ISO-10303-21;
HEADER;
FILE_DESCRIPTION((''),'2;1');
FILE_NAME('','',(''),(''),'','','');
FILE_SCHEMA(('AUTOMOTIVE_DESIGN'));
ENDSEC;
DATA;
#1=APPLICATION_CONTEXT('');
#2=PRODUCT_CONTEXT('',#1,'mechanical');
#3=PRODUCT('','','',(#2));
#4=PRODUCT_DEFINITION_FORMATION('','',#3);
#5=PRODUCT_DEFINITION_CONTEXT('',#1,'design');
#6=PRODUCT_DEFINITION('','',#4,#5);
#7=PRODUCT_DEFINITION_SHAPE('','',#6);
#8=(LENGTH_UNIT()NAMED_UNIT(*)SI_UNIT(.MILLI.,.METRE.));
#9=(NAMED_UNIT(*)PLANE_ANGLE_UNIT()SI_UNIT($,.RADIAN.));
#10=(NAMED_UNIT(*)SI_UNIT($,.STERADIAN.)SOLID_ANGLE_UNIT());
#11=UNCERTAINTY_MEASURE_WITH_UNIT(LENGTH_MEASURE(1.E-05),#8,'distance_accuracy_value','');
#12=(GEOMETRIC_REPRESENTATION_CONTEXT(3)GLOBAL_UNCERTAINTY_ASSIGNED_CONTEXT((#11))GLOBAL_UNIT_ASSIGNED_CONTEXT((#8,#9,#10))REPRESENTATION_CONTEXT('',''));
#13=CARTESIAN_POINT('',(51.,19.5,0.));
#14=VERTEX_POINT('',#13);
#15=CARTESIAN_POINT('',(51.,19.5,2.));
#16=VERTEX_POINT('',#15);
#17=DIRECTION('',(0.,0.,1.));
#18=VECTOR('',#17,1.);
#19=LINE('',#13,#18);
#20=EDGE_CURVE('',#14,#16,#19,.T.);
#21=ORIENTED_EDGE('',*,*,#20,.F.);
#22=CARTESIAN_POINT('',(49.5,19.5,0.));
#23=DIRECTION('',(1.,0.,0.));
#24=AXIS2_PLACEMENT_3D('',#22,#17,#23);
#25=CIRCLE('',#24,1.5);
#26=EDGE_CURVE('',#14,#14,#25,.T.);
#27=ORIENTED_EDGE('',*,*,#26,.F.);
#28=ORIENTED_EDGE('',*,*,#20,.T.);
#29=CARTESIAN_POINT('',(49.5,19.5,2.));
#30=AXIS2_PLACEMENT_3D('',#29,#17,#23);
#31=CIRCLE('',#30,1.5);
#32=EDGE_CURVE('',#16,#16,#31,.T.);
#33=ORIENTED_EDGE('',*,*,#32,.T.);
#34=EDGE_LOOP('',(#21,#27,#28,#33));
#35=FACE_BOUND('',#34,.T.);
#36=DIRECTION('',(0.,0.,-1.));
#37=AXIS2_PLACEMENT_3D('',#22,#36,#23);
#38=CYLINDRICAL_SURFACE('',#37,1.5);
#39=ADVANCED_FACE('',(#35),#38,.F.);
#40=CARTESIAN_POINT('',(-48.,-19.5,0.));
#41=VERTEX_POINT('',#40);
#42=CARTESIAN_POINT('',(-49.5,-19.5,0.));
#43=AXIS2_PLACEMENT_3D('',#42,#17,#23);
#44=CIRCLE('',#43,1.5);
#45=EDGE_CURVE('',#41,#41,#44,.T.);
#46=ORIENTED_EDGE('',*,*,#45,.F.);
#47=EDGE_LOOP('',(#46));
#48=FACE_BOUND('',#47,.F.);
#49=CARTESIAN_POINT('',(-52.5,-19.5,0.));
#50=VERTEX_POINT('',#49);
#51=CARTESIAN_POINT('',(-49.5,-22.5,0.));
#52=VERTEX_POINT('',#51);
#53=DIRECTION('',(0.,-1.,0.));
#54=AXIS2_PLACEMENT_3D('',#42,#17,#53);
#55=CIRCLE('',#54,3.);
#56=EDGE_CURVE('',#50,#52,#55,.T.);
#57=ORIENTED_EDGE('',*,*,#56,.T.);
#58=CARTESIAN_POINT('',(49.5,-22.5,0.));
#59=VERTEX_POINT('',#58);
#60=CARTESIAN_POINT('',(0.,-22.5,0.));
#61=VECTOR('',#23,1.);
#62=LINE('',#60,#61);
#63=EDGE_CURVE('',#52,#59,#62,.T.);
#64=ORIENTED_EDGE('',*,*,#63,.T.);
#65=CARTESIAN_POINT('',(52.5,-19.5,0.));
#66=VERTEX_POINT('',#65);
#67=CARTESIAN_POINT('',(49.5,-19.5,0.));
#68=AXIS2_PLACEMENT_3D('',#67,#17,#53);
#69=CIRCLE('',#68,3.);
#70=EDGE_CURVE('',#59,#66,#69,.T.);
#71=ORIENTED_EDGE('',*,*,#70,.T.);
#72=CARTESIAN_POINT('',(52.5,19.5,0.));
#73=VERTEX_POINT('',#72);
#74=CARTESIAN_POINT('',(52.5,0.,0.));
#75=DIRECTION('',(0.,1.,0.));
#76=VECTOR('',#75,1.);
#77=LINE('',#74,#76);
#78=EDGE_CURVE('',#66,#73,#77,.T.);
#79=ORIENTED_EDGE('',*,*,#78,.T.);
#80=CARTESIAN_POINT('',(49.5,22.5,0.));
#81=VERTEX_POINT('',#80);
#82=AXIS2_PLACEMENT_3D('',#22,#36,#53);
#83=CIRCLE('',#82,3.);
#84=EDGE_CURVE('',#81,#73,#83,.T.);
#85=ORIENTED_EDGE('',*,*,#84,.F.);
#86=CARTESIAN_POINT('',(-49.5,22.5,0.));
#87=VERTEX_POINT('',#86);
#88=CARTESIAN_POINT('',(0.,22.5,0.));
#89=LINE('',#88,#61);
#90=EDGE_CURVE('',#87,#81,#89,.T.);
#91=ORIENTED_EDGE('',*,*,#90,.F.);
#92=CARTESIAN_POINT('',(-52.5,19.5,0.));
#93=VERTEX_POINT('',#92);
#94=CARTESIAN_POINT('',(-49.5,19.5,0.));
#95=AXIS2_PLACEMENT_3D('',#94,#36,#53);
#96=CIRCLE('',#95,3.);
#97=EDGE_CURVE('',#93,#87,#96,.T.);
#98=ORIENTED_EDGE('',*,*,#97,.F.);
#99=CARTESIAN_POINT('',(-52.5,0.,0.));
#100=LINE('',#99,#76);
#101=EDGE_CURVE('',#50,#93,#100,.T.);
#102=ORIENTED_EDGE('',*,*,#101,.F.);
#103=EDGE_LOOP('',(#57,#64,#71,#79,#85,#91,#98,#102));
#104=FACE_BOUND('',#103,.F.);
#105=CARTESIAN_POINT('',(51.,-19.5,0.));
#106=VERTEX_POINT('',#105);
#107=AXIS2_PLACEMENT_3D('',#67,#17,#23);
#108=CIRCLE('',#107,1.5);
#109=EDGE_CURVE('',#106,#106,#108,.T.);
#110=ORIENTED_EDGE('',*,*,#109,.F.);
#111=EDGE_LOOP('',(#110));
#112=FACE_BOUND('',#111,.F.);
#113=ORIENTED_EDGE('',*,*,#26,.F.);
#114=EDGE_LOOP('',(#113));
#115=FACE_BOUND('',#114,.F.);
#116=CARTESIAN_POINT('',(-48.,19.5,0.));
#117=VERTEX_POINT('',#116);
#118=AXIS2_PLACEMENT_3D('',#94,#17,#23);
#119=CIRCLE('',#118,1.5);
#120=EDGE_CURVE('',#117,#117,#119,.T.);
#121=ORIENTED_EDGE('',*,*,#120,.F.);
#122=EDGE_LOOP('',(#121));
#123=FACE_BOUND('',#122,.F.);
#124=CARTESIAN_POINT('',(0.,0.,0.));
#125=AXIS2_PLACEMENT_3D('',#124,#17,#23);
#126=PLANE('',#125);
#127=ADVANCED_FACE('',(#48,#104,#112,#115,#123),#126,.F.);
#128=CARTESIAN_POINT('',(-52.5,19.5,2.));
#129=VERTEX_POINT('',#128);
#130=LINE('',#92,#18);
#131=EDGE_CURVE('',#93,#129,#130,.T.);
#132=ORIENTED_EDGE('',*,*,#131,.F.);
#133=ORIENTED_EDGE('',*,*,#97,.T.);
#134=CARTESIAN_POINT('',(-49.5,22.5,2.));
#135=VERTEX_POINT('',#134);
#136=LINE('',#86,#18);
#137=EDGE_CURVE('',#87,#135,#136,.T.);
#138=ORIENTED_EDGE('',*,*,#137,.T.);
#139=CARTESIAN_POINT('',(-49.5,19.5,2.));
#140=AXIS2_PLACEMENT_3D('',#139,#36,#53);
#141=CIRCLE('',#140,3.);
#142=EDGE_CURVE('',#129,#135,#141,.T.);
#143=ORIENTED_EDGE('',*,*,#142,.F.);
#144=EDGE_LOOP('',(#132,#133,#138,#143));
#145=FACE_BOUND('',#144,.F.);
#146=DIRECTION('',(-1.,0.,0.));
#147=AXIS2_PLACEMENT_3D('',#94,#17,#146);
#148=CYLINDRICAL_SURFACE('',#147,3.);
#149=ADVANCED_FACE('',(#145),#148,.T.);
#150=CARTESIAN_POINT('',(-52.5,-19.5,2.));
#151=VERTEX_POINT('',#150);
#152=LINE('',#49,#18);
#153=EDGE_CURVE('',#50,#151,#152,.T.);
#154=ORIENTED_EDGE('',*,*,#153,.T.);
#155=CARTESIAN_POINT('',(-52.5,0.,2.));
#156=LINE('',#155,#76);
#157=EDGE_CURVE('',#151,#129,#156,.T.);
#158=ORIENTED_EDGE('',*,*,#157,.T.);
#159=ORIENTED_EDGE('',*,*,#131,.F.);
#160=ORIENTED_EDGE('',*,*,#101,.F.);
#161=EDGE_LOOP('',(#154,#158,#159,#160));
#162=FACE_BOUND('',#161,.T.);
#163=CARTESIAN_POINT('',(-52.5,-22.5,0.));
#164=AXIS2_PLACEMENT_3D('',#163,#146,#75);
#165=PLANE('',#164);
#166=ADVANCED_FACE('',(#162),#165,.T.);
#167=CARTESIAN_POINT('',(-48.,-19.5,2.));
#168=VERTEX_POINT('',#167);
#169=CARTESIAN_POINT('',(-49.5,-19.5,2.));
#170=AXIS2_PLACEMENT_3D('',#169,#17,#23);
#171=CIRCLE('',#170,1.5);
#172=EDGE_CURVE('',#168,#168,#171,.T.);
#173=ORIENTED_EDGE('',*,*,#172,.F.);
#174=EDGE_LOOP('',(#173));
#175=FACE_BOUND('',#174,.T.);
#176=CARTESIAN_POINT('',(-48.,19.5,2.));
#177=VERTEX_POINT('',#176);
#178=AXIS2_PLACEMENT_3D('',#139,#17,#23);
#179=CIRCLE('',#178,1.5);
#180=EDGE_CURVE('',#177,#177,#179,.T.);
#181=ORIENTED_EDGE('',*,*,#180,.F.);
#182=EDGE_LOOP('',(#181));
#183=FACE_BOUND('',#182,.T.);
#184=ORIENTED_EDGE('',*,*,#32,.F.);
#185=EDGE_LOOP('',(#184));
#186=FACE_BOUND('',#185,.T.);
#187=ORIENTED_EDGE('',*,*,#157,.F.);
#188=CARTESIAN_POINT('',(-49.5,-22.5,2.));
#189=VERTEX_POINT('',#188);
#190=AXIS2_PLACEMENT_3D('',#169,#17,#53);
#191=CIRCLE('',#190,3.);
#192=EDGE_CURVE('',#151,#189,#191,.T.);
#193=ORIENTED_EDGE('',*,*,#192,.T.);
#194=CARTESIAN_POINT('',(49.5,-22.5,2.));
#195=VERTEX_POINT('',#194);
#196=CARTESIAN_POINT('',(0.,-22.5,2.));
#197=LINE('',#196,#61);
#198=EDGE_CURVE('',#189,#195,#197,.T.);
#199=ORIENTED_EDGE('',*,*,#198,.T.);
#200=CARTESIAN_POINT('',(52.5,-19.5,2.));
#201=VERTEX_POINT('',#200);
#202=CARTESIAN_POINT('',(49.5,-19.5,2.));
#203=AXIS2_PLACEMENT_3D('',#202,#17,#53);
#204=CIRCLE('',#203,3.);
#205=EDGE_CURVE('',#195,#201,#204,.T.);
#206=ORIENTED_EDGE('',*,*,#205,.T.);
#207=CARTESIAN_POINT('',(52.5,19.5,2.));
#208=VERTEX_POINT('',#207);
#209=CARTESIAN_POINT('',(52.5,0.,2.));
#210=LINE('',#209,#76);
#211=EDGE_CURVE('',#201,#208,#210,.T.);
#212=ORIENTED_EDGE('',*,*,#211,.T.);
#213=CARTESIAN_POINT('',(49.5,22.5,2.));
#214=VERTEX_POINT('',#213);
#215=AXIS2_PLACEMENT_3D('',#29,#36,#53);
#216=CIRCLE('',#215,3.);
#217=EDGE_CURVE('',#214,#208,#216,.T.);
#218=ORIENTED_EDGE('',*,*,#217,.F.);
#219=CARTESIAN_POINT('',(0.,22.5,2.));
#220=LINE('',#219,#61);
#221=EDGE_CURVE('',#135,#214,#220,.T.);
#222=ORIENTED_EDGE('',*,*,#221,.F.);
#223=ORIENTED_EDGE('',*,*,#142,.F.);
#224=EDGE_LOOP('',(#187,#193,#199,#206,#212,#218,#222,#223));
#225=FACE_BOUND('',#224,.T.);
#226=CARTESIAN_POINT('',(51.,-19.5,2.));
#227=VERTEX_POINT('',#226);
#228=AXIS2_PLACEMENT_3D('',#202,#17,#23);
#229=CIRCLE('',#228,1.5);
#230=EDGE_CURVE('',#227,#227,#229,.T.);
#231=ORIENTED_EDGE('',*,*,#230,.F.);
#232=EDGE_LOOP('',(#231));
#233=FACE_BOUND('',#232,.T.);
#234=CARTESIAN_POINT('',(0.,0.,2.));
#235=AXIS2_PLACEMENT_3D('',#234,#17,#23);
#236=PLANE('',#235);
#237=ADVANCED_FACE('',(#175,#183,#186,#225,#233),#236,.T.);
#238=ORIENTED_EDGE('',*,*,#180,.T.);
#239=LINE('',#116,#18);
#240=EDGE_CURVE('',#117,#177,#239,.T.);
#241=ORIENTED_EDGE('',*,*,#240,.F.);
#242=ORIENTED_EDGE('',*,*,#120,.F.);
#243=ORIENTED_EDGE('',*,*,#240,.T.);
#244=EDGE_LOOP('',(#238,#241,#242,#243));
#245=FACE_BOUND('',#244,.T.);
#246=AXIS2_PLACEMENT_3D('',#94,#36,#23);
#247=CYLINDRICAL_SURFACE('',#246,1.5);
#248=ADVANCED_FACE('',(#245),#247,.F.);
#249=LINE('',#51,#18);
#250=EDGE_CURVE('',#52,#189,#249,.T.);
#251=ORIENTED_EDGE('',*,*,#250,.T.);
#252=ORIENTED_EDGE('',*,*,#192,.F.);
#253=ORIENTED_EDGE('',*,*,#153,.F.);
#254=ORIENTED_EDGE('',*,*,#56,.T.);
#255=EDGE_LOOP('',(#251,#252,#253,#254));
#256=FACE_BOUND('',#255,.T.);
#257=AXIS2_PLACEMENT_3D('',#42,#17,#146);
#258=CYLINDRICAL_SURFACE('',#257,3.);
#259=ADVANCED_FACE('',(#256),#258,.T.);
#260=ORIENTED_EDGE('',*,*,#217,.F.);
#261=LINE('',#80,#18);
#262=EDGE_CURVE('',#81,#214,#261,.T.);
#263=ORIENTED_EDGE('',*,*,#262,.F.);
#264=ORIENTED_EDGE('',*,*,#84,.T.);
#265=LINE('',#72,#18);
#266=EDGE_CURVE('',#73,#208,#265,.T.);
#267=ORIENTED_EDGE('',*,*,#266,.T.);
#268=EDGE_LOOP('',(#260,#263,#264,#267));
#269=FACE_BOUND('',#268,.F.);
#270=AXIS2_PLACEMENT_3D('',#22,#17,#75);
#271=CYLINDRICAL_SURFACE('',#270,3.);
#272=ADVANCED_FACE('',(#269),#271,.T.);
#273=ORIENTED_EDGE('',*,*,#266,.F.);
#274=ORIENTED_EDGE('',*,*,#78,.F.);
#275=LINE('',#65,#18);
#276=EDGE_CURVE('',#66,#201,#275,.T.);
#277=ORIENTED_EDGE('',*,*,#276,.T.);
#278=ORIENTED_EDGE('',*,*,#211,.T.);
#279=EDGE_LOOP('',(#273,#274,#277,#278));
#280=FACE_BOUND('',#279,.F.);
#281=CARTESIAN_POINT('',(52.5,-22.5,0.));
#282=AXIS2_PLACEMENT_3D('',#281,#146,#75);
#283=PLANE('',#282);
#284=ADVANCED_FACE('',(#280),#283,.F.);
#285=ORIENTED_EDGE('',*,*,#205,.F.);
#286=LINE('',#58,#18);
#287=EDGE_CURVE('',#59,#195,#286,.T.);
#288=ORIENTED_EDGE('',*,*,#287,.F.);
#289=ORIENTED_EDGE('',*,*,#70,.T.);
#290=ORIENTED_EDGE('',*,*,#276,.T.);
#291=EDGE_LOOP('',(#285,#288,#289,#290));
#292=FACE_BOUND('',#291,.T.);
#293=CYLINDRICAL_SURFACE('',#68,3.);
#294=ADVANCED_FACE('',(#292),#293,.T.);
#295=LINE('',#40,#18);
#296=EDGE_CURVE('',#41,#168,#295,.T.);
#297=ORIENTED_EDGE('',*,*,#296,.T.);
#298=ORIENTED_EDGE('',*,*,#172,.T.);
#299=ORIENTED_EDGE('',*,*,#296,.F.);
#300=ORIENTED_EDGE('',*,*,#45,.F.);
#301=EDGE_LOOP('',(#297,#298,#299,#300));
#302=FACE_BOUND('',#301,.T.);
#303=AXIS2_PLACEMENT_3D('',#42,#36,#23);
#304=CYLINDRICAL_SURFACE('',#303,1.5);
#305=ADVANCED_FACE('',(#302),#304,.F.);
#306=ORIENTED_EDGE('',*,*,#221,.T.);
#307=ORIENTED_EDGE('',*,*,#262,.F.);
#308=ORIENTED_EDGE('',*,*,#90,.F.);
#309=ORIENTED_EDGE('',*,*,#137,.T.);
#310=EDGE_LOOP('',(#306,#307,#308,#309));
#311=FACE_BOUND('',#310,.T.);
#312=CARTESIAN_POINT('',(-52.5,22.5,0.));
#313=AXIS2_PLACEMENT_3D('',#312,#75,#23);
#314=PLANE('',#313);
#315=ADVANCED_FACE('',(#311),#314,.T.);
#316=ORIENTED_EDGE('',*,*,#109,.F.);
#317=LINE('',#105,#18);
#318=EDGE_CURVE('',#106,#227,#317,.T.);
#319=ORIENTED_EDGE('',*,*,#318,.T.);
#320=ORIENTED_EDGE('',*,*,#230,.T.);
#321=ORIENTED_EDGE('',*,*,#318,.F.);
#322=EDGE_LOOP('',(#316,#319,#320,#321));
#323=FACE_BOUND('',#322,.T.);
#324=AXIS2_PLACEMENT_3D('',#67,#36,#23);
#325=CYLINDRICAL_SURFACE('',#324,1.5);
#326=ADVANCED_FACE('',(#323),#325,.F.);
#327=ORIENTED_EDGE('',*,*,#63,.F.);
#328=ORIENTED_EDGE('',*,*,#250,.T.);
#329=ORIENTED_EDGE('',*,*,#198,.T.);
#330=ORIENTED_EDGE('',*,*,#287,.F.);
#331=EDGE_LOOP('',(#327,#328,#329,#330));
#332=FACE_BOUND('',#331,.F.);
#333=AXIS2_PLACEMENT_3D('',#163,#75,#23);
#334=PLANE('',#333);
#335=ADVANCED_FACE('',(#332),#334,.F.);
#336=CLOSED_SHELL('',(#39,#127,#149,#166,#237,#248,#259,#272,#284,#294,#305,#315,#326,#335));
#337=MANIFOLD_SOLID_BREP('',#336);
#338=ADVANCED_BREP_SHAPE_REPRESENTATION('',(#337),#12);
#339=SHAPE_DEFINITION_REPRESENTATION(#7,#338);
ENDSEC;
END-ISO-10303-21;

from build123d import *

# Parameters (mm, degrees)
F0_W     = 105
F0_H     = 45
F0_R     = 1.5
F1_DEPTH = 2
F2_R     = 3


with BuildPart() as f1:
    # F0 (on Top) → F1 (new body)
    with BuildSketch(Plane.XY):
        Rectangle(F0_W, F0_H)
        with Locations((-49.5, -19.5)):
            Circle(F0_R, mode=Mode.SUBTRACT)
        with Locations((49.5, -19.5)):
            Circle(F0_R, mode=Mode.SUBTRACT)
        with Locations((-49.5, 19.5)):
            Circle(F0_R, mode=Mode.SUBTRACT)
        with Locations((49.5, 19.5)):
            Circle(F0_R, mode=Mode.SUBTRACT)
    extrude(amount=F1_DEPTH)

    # F2
    f2_edges = [f1.edges().sort_by_distance(p)[0] for p in [
        (52.5, -22.5, 1),
        (52.5, 22.5, 1),
        (-52.5, -22.5, 1),
        (-52.5, 22.5, 1),
    ]]
    fillet(f2_edges, radius=F2_R)


solid = f1.part
